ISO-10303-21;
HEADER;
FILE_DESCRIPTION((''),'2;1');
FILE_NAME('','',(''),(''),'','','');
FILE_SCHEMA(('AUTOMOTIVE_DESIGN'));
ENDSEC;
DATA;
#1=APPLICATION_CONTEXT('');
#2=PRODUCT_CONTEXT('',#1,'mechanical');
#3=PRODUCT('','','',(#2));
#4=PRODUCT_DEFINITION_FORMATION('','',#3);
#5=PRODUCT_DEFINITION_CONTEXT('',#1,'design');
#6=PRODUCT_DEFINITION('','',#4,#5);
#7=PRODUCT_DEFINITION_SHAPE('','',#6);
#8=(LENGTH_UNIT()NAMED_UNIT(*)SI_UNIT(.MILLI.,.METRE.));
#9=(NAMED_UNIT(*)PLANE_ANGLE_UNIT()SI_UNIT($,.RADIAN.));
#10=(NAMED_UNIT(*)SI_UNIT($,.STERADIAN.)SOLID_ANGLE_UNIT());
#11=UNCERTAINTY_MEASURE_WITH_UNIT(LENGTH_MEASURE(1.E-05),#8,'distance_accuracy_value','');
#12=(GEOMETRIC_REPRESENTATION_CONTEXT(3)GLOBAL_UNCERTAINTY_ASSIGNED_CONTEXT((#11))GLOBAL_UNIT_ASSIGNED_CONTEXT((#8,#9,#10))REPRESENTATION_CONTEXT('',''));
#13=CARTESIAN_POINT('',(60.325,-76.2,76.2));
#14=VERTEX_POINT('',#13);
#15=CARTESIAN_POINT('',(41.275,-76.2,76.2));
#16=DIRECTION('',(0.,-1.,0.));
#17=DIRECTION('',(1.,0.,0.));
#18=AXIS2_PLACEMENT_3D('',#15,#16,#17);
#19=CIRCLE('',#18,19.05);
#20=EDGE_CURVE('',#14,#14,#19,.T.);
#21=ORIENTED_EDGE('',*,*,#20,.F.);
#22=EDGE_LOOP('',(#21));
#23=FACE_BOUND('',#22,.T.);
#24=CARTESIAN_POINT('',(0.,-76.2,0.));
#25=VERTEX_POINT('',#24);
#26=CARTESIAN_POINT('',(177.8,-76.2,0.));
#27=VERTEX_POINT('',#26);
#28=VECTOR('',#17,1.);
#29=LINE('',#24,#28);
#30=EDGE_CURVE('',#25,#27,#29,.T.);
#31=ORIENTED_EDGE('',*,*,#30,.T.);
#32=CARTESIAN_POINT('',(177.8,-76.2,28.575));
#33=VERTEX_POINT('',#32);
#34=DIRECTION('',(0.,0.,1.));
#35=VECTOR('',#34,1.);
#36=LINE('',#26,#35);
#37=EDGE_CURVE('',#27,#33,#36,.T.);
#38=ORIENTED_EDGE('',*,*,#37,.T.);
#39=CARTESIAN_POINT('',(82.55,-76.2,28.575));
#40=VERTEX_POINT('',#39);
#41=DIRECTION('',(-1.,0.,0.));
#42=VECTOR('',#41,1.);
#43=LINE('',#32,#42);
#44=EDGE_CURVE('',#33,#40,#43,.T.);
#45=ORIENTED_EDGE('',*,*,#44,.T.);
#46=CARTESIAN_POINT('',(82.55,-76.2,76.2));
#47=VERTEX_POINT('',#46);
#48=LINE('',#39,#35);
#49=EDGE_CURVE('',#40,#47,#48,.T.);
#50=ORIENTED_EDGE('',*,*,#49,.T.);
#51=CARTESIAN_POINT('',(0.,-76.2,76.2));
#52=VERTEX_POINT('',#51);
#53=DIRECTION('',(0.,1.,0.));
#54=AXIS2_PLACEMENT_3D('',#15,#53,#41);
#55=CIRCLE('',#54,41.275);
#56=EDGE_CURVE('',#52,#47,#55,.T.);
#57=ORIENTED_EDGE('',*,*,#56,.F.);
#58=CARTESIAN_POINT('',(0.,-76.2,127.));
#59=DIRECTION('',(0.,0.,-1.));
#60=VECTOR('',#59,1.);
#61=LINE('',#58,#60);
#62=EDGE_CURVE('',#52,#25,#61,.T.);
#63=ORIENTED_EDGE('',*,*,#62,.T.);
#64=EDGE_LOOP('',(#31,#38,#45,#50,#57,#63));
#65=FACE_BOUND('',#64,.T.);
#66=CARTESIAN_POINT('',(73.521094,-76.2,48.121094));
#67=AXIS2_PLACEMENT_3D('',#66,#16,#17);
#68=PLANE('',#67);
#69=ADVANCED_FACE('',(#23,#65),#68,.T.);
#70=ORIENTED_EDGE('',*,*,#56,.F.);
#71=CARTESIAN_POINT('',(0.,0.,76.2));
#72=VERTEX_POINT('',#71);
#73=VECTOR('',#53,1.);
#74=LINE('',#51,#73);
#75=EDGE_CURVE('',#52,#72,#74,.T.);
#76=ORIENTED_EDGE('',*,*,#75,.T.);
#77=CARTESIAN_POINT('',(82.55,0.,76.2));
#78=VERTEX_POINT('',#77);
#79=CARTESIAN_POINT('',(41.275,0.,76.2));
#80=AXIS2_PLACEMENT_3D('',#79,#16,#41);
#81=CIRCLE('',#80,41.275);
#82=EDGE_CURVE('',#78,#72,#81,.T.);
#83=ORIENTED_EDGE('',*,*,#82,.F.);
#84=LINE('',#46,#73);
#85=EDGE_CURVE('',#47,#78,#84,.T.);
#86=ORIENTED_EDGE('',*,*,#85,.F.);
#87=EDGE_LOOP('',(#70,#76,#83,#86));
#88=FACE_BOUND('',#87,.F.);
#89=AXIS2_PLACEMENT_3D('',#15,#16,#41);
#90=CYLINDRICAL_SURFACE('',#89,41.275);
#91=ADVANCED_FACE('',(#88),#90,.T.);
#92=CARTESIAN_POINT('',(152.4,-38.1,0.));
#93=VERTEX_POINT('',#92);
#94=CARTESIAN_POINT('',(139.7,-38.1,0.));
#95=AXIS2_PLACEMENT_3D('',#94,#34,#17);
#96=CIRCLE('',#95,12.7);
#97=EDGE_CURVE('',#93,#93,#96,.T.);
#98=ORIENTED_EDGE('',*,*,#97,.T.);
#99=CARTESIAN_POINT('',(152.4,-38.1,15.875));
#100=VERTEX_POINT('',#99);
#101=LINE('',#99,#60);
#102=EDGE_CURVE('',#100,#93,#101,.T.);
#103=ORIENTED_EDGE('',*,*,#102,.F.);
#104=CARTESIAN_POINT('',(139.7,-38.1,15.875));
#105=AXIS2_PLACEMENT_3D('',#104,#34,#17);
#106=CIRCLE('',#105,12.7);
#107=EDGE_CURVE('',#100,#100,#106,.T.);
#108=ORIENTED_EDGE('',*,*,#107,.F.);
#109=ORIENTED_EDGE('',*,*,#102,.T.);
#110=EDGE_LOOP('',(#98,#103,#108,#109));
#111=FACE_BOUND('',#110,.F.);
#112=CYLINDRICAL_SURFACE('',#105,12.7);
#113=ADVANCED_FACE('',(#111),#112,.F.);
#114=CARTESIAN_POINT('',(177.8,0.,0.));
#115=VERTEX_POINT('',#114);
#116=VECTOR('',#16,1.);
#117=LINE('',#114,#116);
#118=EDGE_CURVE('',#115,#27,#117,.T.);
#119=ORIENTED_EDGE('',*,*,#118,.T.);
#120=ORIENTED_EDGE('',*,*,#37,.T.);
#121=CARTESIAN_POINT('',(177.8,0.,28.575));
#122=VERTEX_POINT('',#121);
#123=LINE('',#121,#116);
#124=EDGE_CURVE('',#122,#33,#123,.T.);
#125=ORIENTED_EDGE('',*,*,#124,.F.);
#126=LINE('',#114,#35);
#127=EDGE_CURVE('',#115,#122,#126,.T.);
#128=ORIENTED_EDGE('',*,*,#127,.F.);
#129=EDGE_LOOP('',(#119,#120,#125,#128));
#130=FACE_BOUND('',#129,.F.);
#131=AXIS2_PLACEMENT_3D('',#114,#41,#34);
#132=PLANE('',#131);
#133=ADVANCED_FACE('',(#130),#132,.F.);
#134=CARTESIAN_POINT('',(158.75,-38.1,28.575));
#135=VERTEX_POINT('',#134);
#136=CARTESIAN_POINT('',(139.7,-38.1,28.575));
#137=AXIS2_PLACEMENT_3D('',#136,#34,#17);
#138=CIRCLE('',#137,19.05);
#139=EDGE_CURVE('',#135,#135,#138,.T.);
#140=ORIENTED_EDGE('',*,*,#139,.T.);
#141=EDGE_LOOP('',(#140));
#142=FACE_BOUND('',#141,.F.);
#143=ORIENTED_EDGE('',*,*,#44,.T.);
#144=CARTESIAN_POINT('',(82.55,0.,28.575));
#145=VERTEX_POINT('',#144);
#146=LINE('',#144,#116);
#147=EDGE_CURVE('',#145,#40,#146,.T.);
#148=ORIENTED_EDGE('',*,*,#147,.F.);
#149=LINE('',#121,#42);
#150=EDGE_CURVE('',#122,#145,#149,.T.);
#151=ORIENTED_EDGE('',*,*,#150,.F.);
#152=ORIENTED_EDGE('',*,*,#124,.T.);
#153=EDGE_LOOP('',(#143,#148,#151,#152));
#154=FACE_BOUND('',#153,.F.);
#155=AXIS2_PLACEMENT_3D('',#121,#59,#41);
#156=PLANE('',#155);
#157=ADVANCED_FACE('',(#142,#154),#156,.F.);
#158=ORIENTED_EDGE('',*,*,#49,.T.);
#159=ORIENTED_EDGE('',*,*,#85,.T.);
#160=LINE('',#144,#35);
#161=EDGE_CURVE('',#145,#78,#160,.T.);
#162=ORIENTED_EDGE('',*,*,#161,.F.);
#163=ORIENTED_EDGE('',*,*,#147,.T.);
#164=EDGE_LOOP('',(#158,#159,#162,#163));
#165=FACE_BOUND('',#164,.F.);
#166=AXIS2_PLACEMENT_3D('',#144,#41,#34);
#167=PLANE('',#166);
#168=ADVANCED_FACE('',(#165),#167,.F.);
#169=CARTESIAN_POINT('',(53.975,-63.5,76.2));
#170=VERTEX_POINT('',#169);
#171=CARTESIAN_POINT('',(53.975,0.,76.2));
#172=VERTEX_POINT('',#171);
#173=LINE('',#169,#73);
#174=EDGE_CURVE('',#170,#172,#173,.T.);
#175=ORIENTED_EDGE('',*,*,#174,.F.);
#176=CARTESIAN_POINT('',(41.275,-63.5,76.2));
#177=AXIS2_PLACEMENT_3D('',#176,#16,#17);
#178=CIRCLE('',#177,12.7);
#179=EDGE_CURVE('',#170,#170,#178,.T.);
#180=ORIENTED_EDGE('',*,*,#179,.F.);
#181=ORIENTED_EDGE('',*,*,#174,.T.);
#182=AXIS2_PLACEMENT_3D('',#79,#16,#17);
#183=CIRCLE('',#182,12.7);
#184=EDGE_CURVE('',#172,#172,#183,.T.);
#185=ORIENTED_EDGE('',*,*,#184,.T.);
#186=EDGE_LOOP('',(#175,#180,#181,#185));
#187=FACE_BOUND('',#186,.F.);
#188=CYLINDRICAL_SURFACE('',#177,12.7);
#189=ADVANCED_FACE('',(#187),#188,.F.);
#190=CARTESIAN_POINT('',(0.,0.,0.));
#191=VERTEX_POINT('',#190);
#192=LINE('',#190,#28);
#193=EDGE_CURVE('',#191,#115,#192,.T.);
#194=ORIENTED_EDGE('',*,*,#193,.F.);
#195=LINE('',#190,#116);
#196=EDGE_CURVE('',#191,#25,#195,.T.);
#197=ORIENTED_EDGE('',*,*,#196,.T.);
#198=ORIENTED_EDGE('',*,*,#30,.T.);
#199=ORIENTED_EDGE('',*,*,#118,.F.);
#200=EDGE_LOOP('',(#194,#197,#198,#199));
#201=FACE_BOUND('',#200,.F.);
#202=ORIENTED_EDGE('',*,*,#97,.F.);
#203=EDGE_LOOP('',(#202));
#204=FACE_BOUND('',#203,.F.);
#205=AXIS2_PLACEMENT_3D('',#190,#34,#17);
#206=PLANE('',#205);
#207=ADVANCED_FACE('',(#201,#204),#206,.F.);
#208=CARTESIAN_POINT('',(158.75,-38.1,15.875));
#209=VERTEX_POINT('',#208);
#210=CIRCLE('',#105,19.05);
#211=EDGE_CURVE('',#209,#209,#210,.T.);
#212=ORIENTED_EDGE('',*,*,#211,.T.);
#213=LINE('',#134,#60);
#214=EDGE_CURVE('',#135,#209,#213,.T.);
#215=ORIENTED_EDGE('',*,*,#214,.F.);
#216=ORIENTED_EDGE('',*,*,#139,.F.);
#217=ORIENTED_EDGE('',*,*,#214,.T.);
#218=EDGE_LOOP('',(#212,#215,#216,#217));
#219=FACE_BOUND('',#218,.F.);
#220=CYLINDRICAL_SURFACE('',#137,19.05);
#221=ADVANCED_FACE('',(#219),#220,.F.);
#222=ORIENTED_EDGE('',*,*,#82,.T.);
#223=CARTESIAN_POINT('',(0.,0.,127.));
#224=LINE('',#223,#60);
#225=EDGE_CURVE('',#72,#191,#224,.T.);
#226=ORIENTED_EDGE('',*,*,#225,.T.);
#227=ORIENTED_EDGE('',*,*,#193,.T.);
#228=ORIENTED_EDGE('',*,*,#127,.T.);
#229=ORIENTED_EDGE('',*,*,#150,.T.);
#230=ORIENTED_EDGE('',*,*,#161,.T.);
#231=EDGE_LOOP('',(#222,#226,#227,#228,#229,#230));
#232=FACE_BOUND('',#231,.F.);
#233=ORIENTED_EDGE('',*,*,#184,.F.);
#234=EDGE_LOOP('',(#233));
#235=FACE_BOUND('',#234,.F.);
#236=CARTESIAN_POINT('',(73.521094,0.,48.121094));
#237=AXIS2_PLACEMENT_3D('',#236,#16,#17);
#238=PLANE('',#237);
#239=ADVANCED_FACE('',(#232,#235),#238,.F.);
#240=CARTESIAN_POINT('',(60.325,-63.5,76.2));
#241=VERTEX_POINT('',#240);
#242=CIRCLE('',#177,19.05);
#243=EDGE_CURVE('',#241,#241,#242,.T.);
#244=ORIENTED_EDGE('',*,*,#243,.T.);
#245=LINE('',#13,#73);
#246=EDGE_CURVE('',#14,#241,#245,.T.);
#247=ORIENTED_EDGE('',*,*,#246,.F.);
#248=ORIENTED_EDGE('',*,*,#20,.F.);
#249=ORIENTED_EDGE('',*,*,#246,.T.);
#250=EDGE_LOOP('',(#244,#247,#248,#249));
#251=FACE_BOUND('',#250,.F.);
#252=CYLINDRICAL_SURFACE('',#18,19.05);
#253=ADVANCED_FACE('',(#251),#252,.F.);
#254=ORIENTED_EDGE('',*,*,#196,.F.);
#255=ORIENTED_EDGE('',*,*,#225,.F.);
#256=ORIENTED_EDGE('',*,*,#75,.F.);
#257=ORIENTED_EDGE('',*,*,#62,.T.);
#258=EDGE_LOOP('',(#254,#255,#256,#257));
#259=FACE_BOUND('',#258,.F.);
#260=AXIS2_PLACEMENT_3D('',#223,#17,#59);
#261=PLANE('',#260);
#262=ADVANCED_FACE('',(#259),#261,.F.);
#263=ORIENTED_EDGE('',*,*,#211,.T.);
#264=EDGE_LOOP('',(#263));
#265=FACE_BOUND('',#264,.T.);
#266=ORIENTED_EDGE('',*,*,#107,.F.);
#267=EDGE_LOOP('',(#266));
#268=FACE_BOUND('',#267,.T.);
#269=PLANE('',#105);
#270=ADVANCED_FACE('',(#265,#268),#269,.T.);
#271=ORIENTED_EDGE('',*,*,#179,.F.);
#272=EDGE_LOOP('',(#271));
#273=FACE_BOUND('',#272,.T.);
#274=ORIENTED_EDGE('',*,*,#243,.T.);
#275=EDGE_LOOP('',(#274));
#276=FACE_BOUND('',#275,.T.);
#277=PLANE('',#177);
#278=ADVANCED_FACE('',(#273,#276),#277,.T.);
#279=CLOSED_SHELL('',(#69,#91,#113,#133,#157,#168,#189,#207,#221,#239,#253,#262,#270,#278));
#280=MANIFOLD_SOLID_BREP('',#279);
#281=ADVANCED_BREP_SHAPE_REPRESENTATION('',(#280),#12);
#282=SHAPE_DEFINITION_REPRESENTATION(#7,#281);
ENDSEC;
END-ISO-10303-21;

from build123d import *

# Parameters (mm, degrees)
F1_DEPTH  = 76.2
F3_DEPTH  = 76.201
F4_R      = 19.05
F5_DEPTH  = 12.7
F6_R      = 12.7
F7_DEPTH  = 63.501
F8_R      = 19.05
F9_DEPTH  = 12.7
F10_R     = 12.7
F11_DEPTH = 15.876


with BuildPart() as f1:
    # F0 (on Front) → F1 (new body)
    with BuildSketch(Plane.XZ):
        Polygon((0, 127), (0, 0), (177.8, 0), (177.8, 28.575), (82.55, 28.575), (82.55, 127), align=None)
    extrude(amount=F1_DEPTH)

    # F2 (on face) → F3 (cut, through all)
    with BuildSketch(Plane.XZ.offset(76.2)):
        with BuildLine():
            ThreePointArc((0, 76.2), (41.275, 117.475), (82.55, 76.2))
            Line((82.55, 76.2), (82.55, 127))
            Line((82.55, 127), (0, 127))
            Line((0, 127), (0, 76.2))
        make_face()
    extrude(amount=-F3_DEPTH, mode=Mode.SUBTRACT)

    # F4 (on face) → F5 (cut)
    with BuildSketch(Plane.XZ.offset(76.2)):
        with Locations((41.275, 76.2)):
            Circle(F4_R)
    extrude(amount=-F5_DEPTH, mode=Mode.SUBTRACT)

    # F6 (on face) → F7 (cut, through all)
    with BuildSketch(Plane.XZ.offset(63.5)):
        with Locations((41.275, 76.2)):
            Circle(F6_R)
    extrude(amount=-F7_DEPTH, mode=Mode.SUBTRACT)

    # F8 (on face) → F9 (cut)
    with BuildSketch(Plane.XY.offset(28.575)):
        with Locations((139.7, -38.1)):
            Circle(F8_R)
    extrude(amount=-F9_DEPTH, mode=Mode.SUBTRACT)

    # F10 (on face) → F11 (cut, through all)
    with BuildSketch(Plane.XY.offset(15.875)):
        with Locations((139.7, -38.1)):
            Circle(F10_R)
    extrude(amount=-F11_DEPTH, mode=Mode.SUBTRACT)


solid = f1.part
